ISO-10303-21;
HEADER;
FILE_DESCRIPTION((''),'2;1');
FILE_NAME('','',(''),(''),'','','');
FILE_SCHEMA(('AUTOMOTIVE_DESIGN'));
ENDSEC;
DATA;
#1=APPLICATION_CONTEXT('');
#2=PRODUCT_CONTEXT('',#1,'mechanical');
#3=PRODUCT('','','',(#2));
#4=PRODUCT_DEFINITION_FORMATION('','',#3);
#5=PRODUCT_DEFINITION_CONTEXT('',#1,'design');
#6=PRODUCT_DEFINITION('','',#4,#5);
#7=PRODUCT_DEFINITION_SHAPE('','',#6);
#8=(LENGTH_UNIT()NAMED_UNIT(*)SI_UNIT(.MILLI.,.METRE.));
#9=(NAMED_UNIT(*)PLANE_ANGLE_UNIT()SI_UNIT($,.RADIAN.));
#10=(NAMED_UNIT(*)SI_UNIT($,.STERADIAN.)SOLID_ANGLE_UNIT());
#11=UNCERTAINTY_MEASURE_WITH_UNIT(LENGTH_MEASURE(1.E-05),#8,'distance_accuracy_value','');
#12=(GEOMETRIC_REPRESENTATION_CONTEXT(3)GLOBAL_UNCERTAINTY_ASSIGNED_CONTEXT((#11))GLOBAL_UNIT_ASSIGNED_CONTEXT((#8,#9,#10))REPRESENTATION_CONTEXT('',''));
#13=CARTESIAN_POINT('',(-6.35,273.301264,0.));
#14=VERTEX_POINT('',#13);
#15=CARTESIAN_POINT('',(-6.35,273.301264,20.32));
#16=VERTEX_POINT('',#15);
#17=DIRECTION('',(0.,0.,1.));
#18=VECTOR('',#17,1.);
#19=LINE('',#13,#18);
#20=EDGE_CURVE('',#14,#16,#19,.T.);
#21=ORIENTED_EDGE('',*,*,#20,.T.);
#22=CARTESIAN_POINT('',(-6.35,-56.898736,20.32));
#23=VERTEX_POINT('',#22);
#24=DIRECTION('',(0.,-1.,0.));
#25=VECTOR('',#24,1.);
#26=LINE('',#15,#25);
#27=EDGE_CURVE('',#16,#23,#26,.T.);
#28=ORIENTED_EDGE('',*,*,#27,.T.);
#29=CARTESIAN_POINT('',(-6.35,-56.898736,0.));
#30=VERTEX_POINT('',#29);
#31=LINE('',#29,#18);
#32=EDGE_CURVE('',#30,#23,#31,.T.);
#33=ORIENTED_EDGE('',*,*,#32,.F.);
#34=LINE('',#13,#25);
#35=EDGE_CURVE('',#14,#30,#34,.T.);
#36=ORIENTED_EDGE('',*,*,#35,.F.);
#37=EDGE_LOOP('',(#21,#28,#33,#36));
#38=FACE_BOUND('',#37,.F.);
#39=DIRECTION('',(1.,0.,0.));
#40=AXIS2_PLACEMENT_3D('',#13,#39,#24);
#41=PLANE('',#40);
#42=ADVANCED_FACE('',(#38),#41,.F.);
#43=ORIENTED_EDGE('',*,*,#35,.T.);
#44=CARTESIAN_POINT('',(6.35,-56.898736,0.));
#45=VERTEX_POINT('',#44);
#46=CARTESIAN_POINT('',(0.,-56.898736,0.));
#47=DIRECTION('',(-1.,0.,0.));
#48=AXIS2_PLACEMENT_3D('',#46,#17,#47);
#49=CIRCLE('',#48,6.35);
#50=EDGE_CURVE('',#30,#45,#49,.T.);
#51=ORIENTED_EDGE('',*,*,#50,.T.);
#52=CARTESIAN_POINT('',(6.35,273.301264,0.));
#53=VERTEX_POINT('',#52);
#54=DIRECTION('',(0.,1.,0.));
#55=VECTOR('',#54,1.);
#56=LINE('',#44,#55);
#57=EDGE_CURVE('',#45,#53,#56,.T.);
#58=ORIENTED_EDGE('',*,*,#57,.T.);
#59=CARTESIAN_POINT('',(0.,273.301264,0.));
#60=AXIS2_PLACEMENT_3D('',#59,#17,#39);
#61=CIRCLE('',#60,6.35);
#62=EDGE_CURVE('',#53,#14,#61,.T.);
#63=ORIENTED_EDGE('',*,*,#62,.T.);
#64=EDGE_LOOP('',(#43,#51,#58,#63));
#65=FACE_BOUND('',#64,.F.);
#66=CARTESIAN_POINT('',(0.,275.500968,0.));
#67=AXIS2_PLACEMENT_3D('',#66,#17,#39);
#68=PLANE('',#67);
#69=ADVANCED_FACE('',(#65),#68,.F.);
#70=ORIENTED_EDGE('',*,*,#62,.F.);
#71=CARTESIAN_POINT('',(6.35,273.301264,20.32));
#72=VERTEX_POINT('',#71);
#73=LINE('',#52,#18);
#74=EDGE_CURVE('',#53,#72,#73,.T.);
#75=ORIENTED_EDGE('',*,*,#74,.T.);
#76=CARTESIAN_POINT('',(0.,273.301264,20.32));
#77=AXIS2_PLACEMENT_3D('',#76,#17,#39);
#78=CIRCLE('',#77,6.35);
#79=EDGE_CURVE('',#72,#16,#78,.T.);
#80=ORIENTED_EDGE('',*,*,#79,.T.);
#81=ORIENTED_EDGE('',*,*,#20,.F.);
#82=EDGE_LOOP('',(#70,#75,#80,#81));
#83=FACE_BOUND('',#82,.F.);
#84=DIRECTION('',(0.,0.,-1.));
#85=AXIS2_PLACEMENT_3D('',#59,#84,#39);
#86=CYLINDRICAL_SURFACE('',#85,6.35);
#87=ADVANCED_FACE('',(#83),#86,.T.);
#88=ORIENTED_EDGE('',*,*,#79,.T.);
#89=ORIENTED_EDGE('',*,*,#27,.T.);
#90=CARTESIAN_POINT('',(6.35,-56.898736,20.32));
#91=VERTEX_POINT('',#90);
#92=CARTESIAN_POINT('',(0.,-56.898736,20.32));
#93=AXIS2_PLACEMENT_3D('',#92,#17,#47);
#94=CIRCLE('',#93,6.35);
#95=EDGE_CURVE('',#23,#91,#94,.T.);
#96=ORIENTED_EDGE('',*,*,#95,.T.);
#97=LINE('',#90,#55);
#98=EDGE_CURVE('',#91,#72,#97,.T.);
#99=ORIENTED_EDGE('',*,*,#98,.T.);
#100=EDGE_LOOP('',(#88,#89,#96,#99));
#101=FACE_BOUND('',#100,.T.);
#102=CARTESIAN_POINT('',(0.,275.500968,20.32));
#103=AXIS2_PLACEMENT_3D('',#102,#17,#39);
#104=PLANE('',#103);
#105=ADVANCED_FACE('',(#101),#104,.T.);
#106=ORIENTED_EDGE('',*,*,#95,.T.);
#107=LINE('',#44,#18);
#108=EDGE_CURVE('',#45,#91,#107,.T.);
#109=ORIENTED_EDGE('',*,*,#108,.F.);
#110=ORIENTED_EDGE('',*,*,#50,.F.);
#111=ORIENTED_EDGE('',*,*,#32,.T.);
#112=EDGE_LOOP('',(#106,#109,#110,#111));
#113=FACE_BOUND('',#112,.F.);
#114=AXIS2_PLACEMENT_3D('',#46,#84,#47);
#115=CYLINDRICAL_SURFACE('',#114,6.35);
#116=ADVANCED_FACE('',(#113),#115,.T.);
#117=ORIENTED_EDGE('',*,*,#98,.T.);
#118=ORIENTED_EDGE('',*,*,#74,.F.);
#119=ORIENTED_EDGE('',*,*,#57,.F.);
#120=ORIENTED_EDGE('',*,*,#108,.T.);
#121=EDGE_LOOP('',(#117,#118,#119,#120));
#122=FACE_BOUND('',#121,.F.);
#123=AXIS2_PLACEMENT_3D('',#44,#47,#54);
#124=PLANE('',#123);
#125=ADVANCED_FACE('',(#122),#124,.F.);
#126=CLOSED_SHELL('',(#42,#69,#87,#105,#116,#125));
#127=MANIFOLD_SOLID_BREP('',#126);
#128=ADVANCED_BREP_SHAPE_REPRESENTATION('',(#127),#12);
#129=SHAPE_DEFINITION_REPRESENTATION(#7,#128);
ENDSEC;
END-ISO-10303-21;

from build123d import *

# Parameters (mm, degrees)
F2_DEPTH = 20.32


with BuildPart() as f2:
    # F1 (on Top) → F2 (new body)
    with BuildSketch(Plane.XY):
        with BuildLine():
            ThreePointArc((6.35, 273.3012638089), (0, 279.6512638089), (-6.35, 273.3012638089))
            Line((-6.35, 273.3012638089), (6.35, 273.3012638089))
        make_face()
        with BuildLine():
            ThreePointArc((6.35, 273.3012638089), (0, 266.9512638089), (-6.35, 273.3012638089))
            Line((-6.35, 273.3012638089), (-6.35, -56.8987361911))
            ThreePointArc((-6.35, -56.8987361911), (0, -50.5487361911), (6.35, -56.8987361911))
            Line((6.35, -56.8987361911), (6.35, 273.3012638089))
        make_face()
        with BuildLine():
            Line((6.35, 273.3012638089), (-6.35, 273.3012638089))
            ThreePointArc((-6.35, 273.3012638089), (0, 266.9512638089), (6.35, 273.3012638089))
        make_face()
        with BuildLine():
            ThreePointArc((6.35, -56.8987361911), (0, -50.5487361911), (-6.35, -56.8987361911))
            Line((-6.35, -56.8987361911), (6.35, -56.8987361911))
        make_face()
        with BuildLine():
            Line((6.35, -56.8987361911), (-6.35, -56.8987361911))
            ThreePointArc((-6.35, -56.8987361911), (0, -63.2487361911), (6.35, -56.8987361911))
        make_face()
    extrude(amount=F2_DEPTH)


solid = f2.part
